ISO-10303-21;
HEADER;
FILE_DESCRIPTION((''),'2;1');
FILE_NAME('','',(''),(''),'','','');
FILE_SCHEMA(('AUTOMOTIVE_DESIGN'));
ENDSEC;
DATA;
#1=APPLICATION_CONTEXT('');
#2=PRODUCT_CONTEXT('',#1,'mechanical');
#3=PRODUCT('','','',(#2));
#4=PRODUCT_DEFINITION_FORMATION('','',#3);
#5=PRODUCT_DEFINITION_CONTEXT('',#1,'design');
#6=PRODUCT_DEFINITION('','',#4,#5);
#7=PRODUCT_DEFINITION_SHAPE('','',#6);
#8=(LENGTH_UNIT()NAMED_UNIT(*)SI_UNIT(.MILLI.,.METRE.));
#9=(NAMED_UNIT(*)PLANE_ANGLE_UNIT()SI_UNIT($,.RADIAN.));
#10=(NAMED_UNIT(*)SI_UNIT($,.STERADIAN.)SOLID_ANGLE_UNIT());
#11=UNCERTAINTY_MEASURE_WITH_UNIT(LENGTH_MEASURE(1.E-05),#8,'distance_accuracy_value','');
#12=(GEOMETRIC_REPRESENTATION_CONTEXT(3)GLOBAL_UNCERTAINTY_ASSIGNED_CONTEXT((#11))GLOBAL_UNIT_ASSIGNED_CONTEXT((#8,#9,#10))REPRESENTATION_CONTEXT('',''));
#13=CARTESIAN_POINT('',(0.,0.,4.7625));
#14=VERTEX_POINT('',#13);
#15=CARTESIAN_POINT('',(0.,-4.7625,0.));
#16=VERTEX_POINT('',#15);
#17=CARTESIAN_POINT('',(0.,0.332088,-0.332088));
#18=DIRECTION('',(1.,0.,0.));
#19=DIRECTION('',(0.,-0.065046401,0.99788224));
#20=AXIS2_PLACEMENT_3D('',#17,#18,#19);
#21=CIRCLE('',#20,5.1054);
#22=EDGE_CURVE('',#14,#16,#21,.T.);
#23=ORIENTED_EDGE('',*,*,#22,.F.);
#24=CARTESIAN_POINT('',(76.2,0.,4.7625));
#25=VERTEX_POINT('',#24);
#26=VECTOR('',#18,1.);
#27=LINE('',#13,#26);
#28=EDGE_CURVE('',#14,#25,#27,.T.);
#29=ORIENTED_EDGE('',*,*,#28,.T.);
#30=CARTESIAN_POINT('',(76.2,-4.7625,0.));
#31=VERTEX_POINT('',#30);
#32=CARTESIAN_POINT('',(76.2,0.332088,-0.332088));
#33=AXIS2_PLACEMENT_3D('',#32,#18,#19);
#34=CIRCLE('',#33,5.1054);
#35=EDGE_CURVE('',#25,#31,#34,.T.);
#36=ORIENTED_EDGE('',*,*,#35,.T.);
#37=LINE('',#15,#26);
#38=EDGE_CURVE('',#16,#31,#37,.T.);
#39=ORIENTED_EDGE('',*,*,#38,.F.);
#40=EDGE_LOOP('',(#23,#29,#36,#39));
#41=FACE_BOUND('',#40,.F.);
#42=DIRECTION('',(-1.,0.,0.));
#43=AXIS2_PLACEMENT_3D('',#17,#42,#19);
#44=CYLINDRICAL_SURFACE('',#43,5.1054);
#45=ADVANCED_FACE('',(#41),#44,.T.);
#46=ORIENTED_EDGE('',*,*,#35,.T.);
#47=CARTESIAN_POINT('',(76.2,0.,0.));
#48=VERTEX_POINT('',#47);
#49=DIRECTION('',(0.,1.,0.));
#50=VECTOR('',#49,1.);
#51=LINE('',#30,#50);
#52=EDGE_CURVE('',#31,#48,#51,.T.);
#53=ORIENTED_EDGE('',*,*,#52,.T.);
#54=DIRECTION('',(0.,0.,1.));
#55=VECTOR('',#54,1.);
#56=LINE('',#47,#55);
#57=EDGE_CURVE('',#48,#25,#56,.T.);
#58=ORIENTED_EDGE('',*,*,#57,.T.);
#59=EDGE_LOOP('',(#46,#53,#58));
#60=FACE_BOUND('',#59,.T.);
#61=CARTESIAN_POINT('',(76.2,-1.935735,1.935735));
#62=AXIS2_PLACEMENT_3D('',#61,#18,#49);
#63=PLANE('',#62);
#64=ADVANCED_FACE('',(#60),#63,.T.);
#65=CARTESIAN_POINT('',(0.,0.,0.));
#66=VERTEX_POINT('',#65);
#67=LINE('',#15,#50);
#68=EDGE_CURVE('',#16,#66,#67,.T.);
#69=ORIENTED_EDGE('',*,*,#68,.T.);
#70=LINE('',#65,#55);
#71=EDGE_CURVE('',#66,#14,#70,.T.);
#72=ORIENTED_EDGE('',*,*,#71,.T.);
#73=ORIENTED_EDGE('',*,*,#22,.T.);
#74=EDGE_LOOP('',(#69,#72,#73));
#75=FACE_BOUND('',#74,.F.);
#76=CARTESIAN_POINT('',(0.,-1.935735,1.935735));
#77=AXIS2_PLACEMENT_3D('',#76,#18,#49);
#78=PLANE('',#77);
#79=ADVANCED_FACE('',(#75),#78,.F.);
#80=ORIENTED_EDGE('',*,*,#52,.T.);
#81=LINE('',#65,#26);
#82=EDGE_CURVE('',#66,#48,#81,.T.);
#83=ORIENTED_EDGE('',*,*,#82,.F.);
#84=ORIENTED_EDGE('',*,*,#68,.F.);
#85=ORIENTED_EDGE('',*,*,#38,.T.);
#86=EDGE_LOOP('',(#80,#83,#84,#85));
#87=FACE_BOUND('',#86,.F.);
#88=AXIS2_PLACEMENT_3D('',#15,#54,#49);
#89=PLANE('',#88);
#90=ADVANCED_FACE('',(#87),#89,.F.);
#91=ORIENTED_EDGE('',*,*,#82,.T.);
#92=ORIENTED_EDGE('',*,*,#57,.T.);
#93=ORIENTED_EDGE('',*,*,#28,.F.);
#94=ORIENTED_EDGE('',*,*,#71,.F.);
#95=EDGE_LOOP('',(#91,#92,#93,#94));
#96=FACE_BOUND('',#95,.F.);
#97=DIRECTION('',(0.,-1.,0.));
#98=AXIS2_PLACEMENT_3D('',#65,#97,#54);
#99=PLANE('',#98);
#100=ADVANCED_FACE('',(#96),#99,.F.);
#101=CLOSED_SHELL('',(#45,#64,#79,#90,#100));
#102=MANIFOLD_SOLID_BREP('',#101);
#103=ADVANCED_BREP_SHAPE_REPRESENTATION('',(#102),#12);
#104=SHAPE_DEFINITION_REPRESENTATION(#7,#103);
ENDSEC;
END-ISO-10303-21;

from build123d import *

# Parameters (mm, degrees)
F1_DEPTH = 76.2


with BuildPart() as f1:
    # F0 (on Right) → F1 (new body)
    with BuildSketch(Plane.YZ):
        with BuildLine():
            Line((-4.7625, 0), (0, 0))
            Line((0, 0), (0, 4.7625))
            ThreePointArc((0, 4.7625), (-3.277975, 3.277975), (-4.7625, 0))
        make_face()
    extrude(amount=F1_DEPTH)


solid = f1.part
